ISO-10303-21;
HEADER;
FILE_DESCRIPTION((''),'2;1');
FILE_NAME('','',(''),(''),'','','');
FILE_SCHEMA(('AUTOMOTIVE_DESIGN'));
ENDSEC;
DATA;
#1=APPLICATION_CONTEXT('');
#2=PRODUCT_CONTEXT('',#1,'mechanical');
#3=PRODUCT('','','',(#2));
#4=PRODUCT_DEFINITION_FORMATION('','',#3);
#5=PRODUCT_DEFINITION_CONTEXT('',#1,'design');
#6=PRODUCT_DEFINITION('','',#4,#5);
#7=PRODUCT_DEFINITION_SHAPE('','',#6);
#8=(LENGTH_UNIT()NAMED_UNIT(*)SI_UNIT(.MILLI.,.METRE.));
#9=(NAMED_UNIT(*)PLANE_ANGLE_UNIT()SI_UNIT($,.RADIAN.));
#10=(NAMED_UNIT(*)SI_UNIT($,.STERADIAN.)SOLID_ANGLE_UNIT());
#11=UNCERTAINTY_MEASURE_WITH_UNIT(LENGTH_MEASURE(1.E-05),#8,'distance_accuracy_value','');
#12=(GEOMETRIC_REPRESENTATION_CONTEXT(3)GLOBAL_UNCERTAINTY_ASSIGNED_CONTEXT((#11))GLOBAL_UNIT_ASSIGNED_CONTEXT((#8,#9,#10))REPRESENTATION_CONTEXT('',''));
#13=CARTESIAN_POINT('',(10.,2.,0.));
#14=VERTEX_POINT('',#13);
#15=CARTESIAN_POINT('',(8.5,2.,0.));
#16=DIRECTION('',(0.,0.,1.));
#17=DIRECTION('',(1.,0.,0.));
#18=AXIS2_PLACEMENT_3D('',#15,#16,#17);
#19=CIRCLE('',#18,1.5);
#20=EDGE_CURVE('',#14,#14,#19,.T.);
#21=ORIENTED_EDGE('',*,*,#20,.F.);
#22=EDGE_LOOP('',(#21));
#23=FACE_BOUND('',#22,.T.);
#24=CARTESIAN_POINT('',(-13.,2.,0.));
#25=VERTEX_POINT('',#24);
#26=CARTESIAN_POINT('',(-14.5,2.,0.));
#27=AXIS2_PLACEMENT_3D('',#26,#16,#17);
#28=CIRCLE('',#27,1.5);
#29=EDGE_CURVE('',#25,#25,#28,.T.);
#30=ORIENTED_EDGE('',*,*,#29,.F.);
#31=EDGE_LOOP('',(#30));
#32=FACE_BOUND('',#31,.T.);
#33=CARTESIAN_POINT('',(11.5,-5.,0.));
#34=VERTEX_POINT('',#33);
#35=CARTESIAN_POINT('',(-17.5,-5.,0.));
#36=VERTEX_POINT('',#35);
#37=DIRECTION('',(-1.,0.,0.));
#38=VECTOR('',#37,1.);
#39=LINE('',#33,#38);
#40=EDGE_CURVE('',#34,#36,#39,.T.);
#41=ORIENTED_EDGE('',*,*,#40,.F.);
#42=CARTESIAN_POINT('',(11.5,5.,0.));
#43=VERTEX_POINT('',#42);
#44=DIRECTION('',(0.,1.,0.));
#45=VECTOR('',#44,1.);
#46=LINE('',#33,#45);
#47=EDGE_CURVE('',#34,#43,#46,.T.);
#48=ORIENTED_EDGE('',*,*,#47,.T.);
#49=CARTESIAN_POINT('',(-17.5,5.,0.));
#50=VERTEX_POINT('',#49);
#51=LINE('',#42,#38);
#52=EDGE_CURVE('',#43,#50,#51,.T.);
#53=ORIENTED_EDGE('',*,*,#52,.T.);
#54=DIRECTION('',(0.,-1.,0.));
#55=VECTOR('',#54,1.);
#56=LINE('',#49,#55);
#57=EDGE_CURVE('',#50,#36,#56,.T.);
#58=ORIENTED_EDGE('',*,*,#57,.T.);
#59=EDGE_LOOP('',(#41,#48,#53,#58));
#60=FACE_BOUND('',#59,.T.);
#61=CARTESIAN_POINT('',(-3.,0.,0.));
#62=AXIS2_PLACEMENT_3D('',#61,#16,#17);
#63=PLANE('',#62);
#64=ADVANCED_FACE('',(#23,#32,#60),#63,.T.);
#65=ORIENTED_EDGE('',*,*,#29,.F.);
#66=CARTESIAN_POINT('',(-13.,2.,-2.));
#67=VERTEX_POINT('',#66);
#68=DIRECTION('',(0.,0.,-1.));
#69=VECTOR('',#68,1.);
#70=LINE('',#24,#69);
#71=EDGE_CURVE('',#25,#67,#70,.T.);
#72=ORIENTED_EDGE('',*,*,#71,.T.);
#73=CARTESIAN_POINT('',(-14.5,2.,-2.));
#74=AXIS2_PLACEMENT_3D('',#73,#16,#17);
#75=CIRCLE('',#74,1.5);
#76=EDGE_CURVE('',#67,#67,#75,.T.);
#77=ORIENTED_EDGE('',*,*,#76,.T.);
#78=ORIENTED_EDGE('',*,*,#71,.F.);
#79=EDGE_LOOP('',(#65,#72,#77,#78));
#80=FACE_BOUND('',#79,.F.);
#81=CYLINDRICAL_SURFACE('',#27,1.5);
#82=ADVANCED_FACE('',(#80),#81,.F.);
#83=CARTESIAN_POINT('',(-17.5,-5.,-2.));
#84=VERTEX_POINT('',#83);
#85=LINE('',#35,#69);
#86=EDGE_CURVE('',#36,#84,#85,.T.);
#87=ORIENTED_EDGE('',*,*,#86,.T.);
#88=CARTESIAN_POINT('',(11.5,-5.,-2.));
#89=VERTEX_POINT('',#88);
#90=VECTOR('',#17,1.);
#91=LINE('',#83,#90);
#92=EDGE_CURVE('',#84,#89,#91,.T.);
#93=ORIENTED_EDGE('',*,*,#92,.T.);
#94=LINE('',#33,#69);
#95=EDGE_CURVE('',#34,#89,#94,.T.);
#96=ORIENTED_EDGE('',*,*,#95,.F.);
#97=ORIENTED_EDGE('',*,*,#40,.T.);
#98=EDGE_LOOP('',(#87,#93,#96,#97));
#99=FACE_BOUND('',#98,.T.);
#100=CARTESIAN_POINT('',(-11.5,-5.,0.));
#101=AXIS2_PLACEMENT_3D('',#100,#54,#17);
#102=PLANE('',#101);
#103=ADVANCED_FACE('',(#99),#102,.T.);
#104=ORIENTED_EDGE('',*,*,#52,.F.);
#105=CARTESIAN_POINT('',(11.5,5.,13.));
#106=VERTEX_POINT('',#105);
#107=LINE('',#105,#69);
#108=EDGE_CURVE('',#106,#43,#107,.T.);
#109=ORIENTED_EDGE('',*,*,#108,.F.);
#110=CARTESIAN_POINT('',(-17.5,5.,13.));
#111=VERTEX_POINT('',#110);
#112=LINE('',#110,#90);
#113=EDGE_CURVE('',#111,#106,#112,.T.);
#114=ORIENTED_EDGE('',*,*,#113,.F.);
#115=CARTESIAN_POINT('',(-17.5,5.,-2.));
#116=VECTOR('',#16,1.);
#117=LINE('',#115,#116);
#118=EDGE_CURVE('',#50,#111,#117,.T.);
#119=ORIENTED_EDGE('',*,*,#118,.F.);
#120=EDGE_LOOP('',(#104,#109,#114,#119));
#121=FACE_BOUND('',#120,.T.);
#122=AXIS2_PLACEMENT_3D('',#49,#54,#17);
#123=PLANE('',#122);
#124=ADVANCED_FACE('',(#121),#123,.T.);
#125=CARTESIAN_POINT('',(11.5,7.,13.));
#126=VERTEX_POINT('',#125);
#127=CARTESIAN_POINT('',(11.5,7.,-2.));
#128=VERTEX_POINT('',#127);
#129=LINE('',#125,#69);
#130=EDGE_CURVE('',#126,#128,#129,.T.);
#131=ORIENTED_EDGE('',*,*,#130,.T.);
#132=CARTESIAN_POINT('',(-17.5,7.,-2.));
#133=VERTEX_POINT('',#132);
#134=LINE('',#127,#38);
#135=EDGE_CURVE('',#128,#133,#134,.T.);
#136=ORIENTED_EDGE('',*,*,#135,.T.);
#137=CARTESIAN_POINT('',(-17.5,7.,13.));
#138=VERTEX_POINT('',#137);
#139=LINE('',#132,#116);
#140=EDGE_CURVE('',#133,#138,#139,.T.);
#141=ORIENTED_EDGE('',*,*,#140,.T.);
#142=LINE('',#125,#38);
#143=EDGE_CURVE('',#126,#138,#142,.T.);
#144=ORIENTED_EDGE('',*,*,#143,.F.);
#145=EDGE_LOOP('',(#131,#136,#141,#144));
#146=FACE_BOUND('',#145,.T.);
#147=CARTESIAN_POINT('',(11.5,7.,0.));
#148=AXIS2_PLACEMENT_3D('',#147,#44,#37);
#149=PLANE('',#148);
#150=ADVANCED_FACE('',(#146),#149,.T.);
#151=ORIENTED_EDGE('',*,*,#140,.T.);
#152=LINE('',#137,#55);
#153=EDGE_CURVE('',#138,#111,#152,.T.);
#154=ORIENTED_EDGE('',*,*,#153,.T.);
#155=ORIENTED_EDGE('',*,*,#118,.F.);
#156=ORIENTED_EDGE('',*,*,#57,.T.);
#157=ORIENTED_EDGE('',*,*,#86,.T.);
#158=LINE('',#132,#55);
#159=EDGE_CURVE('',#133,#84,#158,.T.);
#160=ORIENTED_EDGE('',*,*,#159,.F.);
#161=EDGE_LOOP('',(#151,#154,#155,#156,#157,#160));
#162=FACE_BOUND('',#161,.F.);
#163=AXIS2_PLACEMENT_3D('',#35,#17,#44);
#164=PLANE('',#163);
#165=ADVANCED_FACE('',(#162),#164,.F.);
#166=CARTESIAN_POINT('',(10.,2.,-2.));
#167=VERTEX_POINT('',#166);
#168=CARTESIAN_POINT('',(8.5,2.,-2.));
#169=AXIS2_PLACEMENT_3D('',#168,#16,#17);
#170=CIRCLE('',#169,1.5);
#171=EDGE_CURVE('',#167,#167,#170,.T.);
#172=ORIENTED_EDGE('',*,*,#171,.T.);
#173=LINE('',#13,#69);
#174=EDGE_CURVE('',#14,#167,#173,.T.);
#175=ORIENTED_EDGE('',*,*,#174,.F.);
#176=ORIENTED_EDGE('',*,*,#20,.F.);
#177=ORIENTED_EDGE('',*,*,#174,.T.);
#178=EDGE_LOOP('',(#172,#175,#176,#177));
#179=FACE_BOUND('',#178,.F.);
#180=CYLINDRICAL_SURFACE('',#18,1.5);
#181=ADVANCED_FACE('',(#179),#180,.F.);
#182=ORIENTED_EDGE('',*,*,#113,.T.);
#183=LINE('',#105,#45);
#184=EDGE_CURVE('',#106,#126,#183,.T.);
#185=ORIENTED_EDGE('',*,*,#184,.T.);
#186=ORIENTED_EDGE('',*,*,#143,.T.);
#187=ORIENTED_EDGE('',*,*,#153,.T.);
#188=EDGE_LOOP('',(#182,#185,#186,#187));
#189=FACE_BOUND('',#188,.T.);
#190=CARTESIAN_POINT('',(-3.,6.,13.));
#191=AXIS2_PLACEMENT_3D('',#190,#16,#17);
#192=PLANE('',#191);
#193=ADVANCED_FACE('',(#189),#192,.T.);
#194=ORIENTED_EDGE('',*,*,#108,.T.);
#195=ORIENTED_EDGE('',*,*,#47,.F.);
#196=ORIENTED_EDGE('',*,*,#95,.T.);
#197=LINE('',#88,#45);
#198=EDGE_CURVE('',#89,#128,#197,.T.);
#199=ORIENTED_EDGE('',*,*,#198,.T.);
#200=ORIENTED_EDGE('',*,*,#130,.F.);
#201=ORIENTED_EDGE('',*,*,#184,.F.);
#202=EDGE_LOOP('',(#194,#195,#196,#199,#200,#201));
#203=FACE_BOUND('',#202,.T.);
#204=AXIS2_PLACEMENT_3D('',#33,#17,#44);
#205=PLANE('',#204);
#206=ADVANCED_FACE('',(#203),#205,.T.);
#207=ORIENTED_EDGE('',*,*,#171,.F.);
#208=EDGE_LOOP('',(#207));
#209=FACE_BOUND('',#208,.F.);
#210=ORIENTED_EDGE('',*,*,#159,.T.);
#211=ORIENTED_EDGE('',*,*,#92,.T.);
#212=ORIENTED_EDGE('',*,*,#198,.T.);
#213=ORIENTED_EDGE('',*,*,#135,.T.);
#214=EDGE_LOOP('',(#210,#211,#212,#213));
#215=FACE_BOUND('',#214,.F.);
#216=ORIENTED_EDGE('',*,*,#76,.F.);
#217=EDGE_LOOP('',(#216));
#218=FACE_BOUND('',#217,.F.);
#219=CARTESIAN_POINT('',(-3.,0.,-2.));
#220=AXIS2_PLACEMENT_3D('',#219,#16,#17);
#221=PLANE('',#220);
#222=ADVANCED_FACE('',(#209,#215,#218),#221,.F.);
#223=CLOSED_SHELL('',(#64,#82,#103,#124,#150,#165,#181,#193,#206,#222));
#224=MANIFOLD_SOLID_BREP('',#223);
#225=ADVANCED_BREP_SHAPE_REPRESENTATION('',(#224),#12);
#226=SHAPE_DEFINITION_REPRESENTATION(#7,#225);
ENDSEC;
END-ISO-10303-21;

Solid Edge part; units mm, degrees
sketch "Sketch1" plane through (0, 0, 0) normal (0, 0, 1) x (1, 0, 0)
  line L0 (-11.5, -5) -> (11.5, -5)
  line L1 (11.5, -5) -> (11.5, 5)
  line L2 (11.5, 5) -> (-11.5, 5)
  line L3 (-17.5, 5) -> (-11.5, 5)
  line L4 (-17.5, -1) -> (-17.5, 5)
  line L5 (-17.5, -5) -> (-17.5, -1)
  line L6 (-11.5, -5) -> (-17.5, -5)
extrude "Protrusion1" add sketch "Sketch1" against normal blind 2
sketch "Sketch2" plane through (0, 0, 0) normal (0, 0, 1) x (1, 0, 0)
  circle A0 centre (-14.5, 2) radius 1.5
  circle A1 centre (8.5, 2) radius 1.5
  dimension "D1" = 23
  dimension "D2" = 3
  dimension "D3" = 3
extrude "ExtrudedCutout_1" cut sketch "Sketch2" along normal mid plane 28.6667
sketch "Sketch3" plane through (0, 0, 0) normal (0, 0, 1) x (1, 0, 0)
  line L0 (11.5, 7) -> (-17.5, 7)
  line L1 (-17.5, 7) -> (-17.5, 5)
  line L2 (-17.5, 5) -> (11.5, 5)
  line L3 (11.5, 5) -> (11.5, 7)
extrude "ExtrudedProtrusion_3" add sketch "Sketch3" against normal up to vertex (2 mm away) and the other way blind 13
